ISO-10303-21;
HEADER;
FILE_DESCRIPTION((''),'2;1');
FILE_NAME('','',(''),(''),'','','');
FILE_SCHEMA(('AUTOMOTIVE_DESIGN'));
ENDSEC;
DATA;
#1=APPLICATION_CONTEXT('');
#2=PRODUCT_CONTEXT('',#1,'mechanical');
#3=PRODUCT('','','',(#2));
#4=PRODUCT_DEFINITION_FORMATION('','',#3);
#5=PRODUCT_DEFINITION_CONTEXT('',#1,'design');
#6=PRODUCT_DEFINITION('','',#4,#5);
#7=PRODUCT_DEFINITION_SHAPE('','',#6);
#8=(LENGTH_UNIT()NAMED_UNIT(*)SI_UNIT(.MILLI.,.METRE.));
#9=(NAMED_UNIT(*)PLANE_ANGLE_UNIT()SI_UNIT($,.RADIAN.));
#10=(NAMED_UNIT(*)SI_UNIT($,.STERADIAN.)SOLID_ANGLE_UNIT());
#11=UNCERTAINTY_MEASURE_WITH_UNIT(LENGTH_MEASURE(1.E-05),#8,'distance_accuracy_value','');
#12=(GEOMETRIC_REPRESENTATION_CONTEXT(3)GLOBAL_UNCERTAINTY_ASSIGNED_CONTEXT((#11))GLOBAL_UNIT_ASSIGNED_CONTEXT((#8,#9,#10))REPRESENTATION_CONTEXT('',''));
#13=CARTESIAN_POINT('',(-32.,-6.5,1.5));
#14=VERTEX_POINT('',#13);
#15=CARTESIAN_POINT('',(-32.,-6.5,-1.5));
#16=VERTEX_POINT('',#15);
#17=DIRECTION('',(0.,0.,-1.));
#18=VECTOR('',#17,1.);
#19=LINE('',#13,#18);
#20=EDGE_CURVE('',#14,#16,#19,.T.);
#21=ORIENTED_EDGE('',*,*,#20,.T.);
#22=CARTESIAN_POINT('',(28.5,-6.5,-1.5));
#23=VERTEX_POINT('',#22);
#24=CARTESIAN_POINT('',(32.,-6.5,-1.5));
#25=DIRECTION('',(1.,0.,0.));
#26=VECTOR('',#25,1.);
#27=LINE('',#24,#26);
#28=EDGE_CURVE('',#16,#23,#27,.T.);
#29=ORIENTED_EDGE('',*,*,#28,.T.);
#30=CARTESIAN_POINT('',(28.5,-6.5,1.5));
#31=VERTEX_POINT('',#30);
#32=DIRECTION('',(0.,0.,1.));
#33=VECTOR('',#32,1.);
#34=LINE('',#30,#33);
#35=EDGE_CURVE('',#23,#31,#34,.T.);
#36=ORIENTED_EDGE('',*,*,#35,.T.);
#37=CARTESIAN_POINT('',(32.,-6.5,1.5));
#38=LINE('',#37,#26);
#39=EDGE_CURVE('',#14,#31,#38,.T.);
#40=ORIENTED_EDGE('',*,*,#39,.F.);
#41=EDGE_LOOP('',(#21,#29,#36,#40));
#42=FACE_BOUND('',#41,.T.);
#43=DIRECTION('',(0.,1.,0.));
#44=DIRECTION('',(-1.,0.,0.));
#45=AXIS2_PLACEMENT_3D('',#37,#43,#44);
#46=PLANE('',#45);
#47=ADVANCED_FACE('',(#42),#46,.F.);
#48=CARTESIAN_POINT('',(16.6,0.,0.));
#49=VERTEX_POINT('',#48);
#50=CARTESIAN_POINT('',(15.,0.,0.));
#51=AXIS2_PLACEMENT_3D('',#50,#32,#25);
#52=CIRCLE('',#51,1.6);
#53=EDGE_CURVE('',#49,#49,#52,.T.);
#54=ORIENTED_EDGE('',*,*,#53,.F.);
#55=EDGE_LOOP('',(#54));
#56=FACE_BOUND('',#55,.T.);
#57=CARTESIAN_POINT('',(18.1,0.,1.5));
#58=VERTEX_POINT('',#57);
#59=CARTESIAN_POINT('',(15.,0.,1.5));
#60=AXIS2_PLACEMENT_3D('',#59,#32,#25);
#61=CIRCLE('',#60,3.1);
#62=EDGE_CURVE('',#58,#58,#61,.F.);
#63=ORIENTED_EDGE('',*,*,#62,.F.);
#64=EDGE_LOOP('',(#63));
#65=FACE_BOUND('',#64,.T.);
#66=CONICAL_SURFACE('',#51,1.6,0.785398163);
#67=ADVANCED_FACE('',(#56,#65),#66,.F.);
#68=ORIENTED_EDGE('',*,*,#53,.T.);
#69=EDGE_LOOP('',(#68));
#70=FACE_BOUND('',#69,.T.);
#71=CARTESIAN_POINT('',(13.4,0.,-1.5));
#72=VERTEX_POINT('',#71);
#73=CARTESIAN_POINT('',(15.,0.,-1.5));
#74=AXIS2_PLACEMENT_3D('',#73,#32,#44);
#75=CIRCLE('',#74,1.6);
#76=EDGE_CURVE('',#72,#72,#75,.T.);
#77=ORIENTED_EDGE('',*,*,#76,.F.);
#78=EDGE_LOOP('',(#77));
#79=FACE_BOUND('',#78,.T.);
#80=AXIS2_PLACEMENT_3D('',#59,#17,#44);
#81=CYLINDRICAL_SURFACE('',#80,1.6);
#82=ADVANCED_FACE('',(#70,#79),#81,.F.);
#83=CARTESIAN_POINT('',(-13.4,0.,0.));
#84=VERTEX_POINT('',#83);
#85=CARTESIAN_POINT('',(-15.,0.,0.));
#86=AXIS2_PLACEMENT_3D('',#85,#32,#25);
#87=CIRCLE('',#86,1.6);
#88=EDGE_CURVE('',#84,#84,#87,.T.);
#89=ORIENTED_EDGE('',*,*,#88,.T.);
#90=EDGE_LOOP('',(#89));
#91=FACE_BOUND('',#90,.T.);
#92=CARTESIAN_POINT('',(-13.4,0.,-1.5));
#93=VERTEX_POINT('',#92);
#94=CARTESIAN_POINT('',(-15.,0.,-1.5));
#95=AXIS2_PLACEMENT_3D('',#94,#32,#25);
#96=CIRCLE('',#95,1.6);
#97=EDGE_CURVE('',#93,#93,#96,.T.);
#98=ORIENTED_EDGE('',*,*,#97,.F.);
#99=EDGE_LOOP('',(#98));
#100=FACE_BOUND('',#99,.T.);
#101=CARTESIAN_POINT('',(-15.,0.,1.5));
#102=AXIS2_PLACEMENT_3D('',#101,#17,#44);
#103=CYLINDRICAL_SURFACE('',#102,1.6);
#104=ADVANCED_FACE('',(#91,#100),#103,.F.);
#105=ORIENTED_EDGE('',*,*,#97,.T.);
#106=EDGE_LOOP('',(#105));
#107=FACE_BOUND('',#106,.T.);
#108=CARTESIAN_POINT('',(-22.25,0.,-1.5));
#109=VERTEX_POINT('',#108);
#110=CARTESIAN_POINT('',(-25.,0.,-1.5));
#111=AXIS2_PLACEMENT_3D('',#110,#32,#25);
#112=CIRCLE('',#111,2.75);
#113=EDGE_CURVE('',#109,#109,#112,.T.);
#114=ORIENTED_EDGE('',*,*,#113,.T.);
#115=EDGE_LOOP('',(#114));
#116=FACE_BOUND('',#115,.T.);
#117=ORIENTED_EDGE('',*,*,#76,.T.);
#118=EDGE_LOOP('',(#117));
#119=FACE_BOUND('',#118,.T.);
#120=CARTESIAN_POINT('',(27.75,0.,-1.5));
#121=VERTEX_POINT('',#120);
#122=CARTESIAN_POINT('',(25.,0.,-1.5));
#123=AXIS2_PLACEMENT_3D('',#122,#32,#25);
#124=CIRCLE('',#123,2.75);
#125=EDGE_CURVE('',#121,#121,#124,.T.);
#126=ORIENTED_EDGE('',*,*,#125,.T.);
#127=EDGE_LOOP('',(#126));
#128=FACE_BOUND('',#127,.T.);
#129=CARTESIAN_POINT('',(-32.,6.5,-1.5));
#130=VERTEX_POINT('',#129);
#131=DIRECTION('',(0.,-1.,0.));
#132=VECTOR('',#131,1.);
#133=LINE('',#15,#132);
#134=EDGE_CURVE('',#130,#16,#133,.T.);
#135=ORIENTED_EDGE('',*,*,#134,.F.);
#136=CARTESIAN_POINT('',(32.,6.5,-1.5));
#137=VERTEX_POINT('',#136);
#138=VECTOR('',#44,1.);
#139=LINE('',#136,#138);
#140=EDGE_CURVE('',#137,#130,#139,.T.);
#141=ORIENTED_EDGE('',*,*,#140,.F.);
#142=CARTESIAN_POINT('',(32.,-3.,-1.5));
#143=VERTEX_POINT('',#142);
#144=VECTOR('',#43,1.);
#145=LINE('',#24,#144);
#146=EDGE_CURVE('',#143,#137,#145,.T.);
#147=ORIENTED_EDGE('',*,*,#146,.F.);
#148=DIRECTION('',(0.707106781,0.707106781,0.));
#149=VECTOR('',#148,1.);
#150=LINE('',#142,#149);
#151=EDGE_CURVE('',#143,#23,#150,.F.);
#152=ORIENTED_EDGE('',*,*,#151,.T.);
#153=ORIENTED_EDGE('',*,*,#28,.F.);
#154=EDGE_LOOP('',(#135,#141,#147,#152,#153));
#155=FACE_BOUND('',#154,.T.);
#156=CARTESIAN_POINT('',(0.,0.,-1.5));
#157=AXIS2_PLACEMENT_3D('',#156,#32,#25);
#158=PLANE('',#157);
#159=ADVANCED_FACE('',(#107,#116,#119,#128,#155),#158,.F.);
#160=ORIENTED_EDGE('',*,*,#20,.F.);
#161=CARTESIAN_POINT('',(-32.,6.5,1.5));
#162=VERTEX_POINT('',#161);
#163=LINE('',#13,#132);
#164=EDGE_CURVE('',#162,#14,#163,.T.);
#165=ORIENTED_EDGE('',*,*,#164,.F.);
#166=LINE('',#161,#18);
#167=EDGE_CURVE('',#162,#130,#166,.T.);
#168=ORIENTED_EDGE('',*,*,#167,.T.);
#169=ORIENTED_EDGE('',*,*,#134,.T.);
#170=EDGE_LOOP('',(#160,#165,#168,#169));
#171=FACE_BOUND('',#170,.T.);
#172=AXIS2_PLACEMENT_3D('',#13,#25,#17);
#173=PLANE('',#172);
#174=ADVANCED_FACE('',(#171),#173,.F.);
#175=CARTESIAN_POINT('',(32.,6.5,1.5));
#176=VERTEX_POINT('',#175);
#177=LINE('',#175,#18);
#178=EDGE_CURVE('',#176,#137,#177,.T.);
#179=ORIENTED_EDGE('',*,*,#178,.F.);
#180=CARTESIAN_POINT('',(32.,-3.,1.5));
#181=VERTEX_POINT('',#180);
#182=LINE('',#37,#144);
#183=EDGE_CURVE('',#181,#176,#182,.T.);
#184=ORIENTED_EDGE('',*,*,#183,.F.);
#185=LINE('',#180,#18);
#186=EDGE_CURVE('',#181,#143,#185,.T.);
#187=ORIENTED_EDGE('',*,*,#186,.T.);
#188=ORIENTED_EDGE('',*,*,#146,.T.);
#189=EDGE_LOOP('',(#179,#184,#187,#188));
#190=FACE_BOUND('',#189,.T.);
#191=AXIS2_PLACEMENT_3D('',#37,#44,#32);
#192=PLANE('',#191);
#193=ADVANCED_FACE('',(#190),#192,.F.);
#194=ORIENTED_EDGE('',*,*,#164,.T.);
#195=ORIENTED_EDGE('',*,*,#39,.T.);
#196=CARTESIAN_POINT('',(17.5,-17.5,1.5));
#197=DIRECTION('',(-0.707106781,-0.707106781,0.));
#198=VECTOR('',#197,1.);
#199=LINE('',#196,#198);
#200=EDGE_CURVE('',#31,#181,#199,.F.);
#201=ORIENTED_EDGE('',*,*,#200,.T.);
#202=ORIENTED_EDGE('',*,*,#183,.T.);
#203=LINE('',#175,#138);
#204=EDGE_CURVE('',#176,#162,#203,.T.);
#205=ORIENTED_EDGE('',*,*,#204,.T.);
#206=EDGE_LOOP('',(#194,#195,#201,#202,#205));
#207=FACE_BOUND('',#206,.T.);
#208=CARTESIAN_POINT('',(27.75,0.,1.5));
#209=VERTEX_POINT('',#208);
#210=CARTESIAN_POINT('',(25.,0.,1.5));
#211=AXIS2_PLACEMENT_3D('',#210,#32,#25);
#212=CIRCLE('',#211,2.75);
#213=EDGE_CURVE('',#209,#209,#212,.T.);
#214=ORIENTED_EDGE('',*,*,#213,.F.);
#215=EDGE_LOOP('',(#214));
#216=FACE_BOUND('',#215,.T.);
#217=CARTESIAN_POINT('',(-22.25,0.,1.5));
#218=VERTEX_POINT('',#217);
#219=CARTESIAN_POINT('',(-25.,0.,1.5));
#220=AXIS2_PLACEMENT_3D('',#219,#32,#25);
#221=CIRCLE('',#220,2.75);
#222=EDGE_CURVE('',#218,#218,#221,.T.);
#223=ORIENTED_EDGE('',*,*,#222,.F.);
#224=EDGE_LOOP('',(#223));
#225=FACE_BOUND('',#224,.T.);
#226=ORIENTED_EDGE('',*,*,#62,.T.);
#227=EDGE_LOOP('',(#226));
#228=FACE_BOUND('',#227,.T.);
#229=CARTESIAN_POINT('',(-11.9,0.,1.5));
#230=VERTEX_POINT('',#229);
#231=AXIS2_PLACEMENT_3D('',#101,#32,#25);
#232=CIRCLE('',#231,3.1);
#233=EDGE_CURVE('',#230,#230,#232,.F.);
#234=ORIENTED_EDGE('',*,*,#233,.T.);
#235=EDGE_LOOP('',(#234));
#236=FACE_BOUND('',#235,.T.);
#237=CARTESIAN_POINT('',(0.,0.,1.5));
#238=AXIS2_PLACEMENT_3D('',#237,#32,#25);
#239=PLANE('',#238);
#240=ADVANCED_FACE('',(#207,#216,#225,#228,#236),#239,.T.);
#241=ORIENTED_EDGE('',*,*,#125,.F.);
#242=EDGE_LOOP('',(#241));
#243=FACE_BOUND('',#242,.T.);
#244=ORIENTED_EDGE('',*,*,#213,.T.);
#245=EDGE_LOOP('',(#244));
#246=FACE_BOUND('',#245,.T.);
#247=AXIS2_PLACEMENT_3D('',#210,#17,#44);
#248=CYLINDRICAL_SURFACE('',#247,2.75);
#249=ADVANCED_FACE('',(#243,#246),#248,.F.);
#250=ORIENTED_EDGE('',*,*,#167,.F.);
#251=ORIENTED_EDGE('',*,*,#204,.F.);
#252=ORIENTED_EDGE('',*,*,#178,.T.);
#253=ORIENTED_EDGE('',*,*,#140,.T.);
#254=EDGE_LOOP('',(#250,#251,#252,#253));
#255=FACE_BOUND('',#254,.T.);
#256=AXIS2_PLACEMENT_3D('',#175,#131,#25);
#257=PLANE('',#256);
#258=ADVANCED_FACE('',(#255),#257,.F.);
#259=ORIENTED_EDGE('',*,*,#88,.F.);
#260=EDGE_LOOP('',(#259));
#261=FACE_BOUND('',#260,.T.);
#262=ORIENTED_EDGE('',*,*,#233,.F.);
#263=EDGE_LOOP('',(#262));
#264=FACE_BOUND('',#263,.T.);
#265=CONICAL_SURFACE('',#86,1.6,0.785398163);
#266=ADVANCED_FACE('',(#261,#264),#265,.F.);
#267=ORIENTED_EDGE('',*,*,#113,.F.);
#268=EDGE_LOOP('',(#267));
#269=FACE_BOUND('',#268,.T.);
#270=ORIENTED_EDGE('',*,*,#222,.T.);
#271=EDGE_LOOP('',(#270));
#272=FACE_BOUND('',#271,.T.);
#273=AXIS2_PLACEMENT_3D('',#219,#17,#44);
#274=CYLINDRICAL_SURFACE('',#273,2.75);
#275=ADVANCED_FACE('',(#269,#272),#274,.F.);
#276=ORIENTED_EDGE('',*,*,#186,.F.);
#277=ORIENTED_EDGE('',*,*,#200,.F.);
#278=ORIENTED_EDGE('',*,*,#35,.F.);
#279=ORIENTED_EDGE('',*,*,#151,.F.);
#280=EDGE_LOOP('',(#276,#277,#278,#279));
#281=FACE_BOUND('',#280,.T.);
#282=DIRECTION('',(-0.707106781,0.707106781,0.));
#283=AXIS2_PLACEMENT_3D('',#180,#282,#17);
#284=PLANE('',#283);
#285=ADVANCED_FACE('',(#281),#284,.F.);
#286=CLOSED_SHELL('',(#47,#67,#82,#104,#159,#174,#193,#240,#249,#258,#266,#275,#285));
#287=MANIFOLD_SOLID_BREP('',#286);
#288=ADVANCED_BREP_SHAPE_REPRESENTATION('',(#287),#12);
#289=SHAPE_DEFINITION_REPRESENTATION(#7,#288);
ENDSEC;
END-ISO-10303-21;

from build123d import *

# Parameters (mm, degrees)
SKETCH_1_W      = 64
SKETCH_1_H      = 13
SKETCH_1_R      = 2.75
SKETCH_1_R_2    = 1.6
EXTRUDE_1_DEPTH = 1.5
CHAMFER_1_SIZE  = 3.5
CHAMFER_2_SIZE  = 1.5


with BuildPart() as part:
    # 草图1 → 凸台-拉伸1 (new, symmetric)
    with BuildSketch(Plane.XY):
        Rectangle(SKETCH_1_W, SKETCH_1_H)
        with Locations((-25, 0)):
            Circle(SKETCH_1_R, mode=Mode.SUBTRACT)
        with Locations((25, 0)):
            Circle(SKETCH_1_R, mode=Mode.SUBTRACT)
        with Locations((-15, 0)):
            Circle(SKETCH_1_R_2, mode=Mode.SUBTRACT)
        with Locations(Location((15, 0, 0), (0, 0, 180))):
            Circle(SKETCH_1_R_2, mode=Mode.SUBTRACT)
    extrude(amount=EXTRUDE_1_DEPTH, both=True)

    # 倒角1
    chamfer_1_edges = [part.edges().sort_by_distance(p)[0] for p in [
        (32, -6.5, 0),
    ]]
    chamfer(chamfer_1_edges, length=CHAMFER_1_SIZE)

    # 倒角2
    chamfer_2_edges = [part.edges().sort_by_distance(p)[0] for p in [
        (-16.6, 0, 1.5),
        (16.6, 0, 1.5),
    ]]
    chamfer(chamfer_2_edges, length=CHAMFER_2_SIZE)


solid = part.part
